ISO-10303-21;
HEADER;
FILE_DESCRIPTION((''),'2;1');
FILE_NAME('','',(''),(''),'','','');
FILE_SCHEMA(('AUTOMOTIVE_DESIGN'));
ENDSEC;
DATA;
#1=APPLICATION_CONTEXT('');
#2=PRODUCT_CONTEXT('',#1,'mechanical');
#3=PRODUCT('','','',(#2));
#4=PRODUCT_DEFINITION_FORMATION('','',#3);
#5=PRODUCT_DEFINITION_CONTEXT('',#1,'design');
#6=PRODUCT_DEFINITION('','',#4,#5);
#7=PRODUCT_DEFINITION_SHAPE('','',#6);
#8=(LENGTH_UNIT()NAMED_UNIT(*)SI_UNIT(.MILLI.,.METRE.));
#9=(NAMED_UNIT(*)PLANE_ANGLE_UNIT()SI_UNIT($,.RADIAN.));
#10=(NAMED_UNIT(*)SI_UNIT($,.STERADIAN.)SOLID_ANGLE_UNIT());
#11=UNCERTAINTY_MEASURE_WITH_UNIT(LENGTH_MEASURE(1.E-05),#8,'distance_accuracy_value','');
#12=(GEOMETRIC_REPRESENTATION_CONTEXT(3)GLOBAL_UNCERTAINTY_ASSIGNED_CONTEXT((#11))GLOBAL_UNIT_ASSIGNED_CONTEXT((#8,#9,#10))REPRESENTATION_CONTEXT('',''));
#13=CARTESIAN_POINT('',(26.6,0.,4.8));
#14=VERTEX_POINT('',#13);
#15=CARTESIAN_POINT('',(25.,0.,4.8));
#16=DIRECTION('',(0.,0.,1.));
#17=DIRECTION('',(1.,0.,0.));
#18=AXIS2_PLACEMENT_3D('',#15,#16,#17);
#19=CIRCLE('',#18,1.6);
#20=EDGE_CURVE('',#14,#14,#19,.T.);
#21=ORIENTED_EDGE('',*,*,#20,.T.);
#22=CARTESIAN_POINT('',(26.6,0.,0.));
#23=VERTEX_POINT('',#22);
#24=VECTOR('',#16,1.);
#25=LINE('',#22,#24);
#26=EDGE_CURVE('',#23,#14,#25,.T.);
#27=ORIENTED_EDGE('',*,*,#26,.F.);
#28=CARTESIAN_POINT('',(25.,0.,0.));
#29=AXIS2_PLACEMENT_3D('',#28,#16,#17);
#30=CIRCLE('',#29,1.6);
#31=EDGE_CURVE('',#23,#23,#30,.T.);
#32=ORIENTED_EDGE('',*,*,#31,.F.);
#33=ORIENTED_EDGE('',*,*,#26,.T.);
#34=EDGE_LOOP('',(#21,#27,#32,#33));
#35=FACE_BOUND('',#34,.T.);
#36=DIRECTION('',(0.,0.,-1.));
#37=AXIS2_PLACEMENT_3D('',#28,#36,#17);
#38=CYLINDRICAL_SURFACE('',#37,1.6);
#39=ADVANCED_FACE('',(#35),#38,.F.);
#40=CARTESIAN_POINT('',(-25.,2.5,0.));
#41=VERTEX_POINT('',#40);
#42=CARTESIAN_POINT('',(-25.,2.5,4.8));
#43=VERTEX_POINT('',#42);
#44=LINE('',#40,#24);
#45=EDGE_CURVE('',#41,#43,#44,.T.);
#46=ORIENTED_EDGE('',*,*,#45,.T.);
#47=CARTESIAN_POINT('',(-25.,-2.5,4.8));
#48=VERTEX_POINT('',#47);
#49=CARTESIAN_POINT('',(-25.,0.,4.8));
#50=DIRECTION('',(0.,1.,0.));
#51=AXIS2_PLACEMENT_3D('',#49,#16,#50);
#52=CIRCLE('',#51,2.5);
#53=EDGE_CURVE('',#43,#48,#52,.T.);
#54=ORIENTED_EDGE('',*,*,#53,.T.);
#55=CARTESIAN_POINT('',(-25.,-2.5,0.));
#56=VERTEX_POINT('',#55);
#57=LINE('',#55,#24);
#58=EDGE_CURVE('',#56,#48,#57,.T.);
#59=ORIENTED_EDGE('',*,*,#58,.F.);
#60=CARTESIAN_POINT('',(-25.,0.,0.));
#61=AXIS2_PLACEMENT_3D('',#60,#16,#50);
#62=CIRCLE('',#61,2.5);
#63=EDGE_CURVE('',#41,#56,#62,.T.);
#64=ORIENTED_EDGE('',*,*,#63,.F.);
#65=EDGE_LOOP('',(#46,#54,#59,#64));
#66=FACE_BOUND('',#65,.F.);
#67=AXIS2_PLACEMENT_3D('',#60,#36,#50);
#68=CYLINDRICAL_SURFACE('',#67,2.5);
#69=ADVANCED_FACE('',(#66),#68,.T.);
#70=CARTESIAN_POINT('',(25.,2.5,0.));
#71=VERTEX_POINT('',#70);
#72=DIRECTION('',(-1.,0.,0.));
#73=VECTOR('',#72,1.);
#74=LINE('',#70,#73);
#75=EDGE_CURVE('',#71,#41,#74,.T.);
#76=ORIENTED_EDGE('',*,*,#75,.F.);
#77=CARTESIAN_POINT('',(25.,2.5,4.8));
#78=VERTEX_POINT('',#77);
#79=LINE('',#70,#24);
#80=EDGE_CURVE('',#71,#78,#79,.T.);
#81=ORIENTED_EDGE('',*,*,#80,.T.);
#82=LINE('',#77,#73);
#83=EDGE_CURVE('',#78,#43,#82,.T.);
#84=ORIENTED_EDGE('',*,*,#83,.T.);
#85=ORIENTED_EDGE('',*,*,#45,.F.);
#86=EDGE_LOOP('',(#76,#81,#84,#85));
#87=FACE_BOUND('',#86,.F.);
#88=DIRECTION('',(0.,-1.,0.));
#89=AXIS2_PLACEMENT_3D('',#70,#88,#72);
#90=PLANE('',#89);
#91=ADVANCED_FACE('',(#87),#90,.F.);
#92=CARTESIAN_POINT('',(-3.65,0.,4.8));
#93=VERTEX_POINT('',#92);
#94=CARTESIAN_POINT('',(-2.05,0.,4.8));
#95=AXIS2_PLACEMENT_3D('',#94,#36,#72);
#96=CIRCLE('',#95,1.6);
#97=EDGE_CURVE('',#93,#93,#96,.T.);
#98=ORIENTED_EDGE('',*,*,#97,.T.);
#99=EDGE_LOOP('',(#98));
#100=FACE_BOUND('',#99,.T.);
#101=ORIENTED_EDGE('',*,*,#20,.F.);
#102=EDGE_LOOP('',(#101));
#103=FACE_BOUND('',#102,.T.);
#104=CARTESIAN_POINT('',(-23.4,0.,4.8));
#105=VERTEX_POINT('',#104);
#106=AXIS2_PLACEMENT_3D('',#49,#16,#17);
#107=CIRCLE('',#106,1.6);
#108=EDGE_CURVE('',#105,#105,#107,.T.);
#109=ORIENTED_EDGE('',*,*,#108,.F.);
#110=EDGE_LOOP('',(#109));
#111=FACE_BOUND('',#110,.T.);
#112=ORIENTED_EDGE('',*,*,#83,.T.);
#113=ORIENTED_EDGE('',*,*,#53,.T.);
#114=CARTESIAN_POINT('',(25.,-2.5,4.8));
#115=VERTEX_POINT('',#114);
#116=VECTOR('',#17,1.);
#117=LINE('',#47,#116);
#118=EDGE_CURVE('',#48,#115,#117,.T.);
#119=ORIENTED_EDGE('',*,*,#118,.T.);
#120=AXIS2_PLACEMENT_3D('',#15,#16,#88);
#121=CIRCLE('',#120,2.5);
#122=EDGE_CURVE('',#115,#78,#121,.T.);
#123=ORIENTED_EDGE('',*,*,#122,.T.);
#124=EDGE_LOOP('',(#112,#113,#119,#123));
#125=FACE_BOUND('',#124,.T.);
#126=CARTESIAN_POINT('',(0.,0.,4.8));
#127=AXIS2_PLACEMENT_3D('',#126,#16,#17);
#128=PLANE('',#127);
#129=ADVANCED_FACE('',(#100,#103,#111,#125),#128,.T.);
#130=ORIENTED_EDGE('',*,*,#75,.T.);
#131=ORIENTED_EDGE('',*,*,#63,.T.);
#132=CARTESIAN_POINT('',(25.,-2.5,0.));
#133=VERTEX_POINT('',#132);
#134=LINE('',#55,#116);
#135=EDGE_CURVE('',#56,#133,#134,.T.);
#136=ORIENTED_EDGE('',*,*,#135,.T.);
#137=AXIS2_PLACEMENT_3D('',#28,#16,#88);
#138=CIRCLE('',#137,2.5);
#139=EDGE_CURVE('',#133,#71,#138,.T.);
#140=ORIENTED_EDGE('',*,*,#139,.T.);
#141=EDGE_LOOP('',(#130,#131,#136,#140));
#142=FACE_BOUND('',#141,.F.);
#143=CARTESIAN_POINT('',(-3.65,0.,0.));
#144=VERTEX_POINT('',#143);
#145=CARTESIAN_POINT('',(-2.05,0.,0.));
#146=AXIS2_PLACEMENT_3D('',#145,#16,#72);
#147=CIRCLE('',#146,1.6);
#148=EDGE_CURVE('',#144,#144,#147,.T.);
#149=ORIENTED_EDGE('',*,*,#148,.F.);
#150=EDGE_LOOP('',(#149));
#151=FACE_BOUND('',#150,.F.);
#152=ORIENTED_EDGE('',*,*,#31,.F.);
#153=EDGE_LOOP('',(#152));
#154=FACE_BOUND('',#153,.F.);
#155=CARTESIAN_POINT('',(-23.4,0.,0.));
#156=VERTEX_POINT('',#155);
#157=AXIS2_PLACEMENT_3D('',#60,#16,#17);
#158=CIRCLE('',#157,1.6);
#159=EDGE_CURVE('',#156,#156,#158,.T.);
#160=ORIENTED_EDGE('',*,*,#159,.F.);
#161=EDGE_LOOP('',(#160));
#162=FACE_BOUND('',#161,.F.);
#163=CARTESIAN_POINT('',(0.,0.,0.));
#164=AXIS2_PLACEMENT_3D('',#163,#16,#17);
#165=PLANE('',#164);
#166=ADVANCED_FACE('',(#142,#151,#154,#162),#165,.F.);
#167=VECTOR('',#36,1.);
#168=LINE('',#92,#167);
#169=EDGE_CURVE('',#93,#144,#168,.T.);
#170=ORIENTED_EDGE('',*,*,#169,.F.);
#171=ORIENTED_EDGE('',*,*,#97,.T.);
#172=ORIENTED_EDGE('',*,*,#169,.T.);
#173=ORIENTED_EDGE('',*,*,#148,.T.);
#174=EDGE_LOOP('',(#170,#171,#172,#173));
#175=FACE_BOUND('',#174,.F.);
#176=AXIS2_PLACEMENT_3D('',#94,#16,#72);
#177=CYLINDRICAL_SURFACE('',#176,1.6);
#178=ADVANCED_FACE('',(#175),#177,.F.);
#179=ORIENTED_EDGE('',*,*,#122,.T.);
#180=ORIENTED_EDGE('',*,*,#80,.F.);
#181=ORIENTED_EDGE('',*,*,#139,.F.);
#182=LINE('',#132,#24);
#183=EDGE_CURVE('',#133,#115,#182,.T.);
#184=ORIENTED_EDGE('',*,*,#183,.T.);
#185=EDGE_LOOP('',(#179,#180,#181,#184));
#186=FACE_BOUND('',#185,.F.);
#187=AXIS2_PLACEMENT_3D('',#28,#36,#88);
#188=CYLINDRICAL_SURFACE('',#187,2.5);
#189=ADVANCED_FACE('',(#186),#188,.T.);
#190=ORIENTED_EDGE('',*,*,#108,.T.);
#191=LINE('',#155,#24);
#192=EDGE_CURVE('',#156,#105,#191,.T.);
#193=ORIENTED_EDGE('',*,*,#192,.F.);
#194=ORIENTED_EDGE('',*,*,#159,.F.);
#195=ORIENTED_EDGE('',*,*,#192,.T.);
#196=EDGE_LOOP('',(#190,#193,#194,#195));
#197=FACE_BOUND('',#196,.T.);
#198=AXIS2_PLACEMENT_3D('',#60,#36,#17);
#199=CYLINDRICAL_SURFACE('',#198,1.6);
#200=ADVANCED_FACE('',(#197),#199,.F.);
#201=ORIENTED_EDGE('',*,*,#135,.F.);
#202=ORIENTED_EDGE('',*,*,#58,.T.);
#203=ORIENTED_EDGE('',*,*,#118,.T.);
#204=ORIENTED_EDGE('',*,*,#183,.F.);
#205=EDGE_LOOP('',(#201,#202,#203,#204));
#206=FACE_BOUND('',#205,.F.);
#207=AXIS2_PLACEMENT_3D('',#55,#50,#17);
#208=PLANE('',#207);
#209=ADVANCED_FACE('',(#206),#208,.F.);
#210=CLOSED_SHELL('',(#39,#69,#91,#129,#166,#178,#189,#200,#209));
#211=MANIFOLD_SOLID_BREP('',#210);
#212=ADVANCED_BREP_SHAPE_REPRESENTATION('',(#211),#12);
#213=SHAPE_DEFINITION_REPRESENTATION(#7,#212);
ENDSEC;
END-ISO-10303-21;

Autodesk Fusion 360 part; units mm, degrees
sketch "스케치1" plane through (0, 0, 0) normal (0, 0, 1) x (1, 0, 0)
  line L0 (-25, -2.5) -> (25, -2.5)
  arc A0 (25, -2.5) -> (25, 2.5) centre (25, 0) ccw
  line L1 (25, 2.5) -> (-25, 2.5)
  arc A1 (-25, 2.5) -> (-25, -2.5) centre (-25, 0) ccw
  line L2 (-25, 0) -> (25, 0) construction
  circle A2 centre (25, 0) radius 1.6
  circle A3 centre (-25, 0) radius 1.6
  dimension "d1" = 5
  dimension "d2" = 3.2
  dimension "d3" = 3.2
extrude "돌출1" add sketch "스케치1" along normal blind 4.8
sketch "스케치2" plane through (0, 0, 4.8) normal (0, 0, 1) x (-1, 0, 0)
  circle A0 centre (-25, 0) radius 1.6
  circle A1 centre (25, 0) radius 1.6
  arc A2 (25, -2.5) -> (25, 2.5) centre (25, 0) ccw
  line L0 (25, 2.5) -> (-25, 2.5)
  arc A3 (-25, 2.5) -> (-25, -2.5) centre (-25, 0) ccw
  line L1 (-25, -2.5) -> (25, -2.5)
  line L2 (2.05, -15) -> (2.05, 10)
  circle A4 centre (2.05, 0) radius 1.6
  dimension "d7" = 3.2
  dimension "d10" = 27.05
extrude "돌출2" cut sketch "스케치2" against normal blind 5 contours L2 A4 | L2 A4
